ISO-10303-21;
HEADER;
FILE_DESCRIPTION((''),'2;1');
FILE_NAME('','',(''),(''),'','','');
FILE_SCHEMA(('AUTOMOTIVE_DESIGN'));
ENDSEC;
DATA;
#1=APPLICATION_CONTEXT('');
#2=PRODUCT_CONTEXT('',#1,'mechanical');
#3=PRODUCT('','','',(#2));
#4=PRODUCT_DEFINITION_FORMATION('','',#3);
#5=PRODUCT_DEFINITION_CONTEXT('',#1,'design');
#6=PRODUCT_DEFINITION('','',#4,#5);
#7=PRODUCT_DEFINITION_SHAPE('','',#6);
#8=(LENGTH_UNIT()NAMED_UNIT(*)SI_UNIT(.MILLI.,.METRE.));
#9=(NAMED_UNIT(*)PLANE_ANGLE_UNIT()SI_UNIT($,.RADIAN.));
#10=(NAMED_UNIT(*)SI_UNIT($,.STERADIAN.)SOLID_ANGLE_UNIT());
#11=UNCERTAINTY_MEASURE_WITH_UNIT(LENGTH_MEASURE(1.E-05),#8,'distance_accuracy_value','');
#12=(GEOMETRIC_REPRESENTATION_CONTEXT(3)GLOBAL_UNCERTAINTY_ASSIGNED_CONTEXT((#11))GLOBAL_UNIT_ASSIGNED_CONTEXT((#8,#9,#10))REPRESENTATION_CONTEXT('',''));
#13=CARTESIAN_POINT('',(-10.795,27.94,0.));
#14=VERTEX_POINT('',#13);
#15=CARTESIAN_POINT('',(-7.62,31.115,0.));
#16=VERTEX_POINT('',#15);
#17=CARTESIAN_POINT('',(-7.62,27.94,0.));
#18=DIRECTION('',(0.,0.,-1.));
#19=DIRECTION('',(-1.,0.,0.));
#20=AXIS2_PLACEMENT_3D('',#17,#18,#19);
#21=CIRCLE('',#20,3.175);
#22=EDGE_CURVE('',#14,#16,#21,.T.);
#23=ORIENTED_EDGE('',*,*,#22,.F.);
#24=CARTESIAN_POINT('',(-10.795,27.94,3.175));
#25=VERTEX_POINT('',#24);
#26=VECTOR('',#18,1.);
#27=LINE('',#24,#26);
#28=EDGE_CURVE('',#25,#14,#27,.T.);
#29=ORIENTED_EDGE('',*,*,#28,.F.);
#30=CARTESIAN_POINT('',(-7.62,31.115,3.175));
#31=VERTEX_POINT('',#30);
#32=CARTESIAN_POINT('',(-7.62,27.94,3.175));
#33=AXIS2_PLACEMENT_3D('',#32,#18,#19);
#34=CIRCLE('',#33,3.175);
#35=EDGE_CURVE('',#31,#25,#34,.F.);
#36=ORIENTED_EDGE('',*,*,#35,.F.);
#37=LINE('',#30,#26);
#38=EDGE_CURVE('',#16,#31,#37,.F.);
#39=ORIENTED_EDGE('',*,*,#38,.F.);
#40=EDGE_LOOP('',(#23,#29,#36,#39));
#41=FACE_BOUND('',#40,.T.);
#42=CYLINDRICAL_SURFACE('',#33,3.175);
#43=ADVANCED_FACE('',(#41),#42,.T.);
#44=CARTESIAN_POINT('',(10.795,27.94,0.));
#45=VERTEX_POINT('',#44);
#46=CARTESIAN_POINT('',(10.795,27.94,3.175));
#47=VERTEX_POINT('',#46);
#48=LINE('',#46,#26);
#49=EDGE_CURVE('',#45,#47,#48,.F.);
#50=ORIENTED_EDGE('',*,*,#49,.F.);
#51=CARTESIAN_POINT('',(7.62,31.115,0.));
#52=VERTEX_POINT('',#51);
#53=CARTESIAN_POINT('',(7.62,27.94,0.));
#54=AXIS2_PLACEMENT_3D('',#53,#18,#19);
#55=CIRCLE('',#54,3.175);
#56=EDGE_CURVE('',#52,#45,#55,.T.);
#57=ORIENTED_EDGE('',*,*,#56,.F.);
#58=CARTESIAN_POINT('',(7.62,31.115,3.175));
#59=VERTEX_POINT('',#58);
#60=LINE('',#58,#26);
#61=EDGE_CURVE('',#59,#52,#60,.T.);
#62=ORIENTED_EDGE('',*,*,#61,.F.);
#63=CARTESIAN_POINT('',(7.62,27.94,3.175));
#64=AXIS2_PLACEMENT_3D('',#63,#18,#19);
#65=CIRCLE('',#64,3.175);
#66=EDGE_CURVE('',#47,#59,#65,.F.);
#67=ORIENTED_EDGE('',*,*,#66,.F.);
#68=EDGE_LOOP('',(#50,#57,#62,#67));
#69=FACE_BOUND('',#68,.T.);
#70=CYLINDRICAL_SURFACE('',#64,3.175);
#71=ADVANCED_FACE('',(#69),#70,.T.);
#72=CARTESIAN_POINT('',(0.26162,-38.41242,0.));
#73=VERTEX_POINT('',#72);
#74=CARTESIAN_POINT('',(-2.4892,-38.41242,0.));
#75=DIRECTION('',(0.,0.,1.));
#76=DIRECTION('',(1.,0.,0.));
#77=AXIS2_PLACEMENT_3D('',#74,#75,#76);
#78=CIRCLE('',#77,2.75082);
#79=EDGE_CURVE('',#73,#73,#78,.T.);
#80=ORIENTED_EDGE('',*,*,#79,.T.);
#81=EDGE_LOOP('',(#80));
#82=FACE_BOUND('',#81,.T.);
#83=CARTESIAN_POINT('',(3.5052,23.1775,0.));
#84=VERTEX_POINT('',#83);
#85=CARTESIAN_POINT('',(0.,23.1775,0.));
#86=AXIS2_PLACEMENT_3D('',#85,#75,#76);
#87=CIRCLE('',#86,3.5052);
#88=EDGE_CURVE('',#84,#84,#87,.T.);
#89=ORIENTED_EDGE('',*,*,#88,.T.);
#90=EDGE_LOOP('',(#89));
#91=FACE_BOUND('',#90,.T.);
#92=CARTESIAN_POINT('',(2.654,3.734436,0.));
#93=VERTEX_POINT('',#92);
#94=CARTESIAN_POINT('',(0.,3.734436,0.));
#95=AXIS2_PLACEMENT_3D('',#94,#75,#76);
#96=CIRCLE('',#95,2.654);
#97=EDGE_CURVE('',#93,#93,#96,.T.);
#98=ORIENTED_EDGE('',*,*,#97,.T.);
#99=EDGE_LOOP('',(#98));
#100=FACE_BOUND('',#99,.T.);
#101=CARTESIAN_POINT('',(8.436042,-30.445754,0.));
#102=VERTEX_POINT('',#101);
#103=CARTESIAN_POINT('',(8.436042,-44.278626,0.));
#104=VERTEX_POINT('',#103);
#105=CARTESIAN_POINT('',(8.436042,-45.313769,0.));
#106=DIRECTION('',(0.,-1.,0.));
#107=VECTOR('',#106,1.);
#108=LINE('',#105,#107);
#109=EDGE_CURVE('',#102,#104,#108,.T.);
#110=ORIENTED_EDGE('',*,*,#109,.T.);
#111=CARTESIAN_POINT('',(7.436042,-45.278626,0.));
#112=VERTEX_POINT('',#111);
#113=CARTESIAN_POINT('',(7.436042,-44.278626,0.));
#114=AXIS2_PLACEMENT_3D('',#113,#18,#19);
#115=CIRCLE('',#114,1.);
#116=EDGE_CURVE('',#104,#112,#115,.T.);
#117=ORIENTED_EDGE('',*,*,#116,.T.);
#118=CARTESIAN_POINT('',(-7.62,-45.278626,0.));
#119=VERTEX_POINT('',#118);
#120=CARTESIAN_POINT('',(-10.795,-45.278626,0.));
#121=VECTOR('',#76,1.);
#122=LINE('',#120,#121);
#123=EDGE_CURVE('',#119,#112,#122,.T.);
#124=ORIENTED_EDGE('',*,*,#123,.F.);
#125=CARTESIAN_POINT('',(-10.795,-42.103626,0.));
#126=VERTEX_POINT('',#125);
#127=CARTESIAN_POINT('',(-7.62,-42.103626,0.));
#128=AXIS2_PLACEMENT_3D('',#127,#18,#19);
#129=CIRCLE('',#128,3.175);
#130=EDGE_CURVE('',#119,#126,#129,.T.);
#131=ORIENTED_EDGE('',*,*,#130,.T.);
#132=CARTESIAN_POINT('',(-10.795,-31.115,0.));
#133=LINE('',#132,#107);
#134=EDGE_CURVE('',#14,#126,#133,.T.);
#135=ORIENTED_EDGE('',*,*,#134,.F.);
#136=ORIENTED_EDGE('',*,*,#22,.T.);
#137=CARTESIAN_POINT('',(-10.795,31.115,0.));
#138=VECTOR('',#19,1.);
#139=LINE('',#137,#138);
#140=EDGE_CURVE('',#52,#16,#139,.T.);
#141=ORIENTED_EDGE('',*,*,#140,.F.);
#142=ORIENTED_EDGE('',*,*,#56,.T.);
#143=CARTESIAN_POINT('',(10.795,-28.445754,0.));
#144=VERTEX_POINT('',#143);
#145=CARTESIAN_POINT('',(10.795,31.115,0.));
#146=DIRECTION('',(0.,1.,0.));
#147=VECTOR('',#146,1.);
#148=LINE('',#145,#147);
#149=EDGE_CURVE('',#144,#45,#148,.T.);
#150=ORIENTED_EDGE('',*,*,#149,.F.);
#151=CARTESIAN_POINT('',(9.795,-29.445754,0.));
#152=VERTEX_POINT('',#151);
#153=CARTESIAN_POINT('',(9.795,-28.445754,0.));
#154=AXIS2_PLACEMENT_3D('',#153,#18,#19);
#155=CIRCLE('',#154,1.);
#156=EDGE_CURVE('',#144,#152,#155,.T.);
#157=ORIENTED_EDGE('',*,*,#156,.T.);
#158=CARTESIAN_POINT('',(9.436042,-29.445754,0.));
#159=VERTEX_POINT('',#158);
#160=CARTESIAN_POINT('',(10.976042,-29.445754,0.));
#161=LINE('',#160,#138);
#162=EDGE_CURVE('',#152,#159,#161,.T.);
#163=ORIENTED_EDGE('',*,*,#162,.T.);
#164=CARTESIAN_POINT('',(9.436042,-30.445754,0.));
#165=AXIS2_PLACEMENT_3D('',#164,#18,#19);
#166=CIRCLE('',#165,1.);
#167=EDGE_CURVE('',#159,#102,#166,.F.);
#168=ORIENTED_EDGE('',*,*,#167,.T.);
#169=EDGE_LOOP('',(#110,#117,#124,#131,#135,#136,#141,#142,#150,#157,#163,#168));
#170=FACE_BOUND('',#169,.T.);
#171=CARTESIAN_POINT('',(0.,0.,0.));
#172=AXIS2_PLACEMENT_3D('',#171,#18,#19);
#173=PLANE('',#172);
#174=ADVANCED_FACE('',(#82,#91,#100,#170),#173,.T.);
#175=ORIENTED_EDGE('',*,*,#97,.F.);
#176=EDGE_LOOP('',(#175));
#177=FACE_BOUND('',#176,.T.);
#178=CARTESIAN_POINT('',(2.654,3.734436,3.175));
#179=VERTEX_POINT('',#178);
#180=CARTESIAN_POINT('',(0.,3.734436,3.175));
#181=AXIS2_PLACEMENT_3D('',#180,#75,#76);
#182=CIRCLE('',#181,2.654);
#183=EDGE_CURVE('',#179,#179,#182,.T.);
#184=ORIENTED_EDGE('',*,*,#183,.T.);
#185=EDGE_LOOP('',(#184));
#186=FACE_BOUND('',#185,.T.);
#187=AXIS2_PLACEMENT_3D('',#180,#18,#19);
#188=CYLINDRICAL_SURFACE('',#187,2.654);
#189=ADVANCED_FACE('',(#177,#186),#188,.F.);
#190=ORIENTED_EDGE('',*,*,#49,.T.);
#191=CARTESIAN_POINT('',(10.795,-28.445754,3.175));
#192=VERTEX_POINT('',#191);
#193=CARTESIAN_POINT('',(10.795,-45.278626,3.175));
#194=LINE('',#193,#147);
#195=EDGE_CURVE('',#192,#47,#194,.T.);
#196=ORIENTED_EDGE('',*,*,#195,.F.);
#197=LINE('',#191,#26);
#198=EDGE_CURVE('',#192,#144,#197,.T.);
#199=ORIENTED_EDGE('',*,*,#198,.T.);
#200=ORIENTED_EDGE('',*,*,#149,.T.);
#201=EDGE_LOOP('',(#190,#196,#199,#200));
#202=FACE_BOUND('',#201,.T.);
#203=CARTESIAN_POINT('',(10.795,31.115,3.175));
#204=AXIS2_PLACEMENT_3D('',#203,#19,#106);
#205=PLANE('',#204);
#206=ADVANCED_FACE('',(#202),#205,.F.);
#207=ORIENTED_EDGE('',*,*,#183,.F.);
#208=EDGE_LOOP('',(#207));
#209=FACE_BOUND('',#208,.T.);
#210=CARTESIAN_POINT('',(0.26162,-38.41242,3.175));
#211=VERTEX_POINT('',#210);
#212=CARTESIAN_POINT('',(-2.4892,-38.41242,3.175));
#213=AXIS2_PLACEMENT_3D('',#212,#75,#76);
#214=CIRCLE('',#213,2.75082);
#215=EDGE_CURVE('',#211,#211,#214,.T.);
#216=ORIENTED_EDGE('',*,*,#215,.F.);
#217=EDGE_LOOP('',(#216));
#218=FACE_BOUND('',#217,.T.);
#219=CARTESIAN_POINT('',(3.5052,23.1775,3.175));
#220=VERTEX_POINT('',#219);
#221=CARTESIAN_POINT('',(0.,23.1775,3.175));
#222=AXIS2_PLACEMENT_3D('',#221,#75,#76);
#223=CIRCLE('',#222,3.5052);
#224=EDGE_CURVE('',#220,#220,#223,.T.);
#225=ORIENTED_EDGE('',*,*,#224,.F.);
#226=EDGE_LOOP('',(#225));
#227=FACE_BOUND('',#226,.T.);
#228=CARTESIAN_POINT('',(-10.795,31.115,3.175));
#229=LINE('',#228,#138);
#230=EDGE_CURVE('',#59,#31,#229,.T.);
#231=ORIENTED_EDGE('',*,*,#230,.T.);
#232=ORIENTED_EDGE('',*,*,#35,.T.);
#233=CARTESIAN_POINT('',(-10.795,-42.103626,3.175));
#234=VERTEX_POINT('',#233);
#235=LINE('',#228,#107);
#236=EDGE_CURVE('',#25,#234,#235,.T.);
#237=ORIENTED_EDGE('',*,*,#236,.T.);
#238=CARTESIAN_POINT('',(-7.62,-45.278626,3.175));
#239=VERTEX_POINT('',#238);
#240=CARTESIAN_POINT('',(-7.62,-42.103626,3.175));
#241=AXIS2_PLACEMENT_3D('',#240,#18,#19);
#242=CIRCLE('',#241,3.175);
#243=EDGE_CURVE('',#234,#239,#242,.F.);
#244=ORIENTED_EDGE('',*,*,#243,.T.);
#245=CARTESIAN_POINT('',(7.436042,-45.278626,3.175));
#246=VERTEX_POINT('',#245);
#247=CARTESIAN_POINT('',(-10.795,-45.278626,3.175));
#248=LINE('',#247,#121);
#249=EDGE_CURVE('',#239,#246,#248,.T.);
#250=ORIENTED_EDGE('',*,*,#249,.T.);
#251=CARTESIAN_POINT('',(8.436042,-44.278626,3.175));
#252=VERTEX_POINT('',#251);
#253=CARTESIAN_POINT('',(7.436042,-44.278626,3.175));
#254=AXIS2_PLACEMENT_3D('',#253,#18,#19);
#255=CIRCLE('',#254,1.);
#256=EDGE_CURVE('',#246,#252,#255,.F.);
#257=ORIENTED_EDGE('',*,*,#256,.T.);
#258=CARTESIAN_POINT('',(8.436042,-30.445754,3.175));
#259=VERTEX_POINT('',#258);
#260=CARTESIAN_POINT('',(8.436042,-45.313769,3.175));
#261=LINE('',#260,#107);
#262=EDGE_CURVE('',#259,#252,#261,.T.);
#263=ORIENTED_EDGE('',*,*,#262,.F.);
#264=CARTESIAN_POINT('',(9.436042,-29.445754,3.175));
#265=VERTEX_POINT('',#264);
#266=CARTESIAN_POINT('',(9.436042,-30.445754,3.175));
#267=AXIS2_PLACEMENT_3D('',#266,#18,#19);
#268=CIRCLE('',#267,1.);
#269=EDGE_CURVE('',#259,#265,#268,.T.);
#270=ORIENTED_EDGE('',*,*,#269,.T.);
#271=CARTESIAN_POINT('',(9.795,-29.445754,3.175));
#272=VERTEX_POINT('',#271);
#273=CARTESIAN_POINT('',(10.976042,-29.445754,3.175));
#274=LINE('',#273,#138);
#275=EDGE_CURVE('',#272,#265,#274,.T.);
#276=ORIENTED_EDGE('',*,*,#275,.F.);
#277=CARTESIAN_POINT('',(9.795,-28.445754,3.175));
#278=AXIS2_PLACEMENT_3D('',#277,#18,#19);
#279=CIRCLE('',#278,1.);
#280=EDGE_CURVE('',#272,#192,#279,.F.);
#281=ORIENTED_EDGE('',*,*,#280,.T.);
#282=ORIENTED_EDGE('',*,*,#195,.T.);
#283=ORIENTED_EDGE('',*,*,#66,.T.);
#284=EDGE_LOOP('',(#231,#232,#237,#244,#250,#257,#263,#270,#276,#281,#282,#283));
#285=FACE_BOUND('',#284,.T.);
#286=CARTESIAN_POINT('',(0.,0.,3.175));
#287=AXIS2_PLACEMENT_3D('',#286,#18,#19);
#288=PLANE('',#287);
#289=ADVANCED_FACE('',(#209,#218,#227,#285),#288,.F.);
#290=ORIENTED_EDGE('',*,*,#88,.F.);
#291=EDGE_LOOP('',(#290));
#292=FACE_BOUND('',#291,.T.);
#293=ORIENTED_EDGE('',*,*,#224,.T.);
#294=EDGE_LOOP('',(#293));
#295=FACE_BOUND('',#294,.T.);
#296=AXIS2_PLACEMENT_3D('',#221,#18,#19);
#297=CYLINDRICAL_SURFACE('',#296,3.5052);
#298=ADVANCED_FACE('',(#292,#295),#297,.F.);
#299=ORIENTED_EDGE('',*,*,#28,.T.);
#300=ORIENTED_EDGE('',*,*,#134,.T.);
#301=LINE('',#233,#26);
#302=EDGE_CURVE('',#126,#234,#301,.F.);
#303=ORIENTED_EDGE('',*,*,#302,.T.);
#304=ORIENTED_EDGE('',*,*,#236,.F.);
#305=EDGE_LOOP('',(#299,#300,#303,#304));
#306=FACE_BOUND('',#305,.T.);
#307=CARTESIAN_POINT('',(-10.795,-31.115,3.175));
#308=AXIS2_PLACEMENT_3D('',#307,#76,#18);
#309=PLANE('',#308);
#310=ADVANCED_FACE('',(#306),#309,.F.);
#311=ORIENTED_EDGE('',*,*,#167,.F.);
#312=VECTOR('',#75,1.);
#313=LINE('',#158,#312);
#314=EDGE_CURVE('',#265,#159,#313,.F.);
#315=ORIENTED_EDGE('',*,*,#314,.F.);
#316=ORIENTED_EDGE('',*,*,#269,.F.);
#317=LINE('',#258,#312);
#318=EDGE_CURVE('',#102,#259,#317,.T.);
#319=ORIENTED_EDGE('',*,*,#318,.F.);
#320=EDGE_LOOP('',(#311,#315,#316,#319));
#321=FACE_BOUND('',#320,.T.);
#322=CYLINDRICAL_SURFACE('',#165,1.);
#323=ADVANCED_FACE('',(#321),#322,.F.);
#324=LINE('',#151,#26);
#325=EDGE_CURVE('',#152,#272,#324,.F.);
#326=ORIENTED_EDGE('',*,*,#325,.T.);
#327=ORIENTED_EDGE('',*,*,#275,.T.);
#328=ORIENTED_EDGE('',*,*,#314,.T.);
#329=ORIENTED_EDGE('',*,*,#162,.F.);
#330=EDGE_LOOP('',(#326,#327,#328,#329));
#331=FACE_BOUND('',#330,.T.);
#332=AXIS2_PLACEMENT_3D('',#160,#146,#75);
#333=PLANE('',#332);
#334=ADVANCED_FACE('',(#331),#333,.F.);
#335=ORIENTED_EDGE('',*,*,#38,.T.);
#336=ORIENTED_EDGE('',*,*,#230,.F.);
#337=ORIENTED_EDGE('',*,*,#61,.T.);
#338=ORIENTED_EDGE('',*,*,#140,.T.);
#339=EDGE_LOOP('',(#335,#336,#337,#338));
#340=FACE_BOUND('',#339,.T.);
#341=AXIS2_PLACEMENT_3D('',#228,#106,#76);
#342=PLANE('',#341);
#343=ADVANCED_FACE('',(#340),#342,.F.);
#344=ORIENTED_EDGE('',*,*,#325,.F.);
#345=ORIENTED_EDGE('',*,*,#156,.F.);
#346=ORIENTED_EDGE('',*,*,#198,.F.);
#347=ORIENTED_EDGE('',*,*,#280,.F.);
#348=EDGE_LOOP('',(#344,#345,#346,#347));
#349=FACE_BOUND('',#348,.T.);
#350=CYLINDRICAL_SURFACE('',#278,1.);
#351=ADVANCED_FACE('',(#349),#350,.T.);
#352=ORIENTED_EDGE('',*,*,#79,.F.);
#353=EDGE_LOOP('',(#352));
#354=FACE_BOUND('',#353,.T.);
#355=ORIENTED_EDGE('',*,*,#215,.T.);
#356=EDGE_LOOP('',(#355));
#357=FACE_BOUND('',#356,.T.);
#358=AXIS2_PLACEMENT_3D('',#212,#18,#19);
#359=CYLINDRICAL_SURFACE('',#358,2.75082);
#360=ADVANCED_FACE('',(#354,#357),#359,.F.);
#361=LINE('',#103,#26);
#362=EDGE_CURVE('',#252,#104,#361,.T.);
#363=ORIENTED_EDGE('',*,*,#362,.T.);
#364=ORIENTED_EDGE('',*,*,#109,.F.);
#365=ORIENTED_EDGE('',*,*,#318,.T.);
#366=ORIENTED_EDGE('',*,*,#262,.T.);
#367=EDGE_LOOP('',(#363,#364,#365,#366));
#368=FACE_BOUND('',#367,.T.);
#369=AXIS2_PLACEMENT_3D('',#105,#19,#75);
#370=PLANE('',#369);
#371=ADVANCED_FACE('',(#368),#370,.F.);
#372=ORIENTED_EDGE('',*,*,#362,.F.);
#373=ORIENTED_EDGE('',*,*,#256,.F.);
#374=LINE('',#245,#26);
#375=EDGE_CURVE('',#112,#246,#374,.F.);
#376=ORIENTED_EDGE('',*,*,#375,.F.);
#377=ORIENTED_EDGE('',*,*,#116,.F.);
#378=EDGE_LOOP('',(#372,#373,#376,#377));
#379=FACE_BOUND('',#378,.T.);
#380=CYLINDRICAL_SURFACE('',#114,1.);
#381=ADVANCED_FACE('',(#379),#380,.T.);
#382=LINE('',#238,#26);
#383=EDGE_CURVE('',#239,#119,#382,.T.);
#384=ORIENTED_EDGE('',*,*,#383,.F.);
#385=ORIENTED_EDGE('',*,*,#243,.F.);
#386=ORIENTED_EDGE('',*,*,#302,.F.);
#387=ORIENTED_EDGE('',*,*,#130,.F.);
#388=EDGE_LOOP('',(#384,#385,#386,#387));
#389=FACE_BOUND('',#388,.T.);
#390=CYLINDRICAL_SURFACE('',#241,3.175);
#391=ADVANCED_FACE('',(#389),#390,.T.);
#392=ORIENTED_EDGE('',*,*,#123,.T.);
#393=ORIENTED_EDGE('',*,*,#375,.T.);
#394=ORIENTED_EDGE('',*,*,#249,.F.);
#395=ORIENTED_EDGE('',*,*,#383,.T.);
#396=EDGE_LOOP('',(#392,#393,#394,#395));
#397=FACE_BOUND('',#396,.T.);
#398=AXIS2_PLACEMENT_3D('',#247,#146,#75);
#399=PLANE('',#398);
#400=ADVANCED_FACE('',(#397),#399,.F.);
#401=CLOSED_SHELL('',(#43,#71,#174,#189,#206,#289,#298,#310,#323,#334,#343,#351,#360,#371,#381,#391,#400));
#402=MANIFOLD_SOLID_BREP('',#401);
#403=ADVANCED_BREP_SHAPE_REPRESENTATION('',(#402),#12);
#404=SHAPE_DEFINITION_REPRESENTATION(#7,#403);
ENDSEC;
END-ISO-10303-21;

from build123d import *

# Parameters (mm, degrees)
SKETCH1_R           = 3.5052
SKETCH1_R_2         = 2.75082
SKETCH1_R_3         = 2.654
BOSS_EXTRUDE1_DEPTH = 3.175
FILLET1_R           = 3.175
SKETCH3_W           = 2.54
SKETCH3_H           = 15.868015335
CUT_EXTRUDE2_DEPTH  = 47.655831395
FILLET2_R           = 1


with BuildPart() as part:
    # Sketch1 → Boss-Extrude1 (new body)
    with BuildSketch(Plane.XY):
        Polygon((-10.795, 31.115), (10.795, 31.115), (10.795, -31.115), (10.795, -45.278625787), (-10.795, -45.278625787), (-10.795, -31.115), align=None)
        with Locations((0, 23.1775)):
            Circle(SKETCH1_R, mode=Mode.SUBTRACT)
        with Locations((-2.4892, -38.41242)):
            Circle(SKETCH1_R_2, mode=Mode.SUBTRACT)
        with Locations((0, 3.734436212)):
            Circle(SKETCH1_R_3, mode=Mode.SUBTRACT)
    extrude(amount=BOSS_EXTRUDE1_DEPTH)

    # Fillet1
    fillet1_edges = [part.edges().sort_by_distance(p)[0] for p in [
        (10.795, -45.278625787, 1.5875),
        (-10.795, -45.278625787, 1.5875),
        (-10.795, 31.115, 1.5875),
        (10.795, 31.115, 1.5875),
    ]]
    fillet(fillet1_edges, radius=FILLET1_R)

    # Sketch3 → Cut-Extrude2 (cut, through all)
    with BuildSketch(Plane.XY.offset(3.175)):
        with Locations((9.706042249, -37.379761593)):
            Rectangle(SKETCH3_W, SKETCH3_H)
    extrude(amount=-CUT_EXTRUDE2_DEPTH, mode=Mode.SUBTRACT)

    # Fillet2
    fillet2_edges = [part.edges().sort_by_distance(p)[0] for p in [
        (10.795, -29.445753925, 1.5875),
        (8.436042249, -29.445753925, 1.5875),
        (8.436042249, -45.171964108, 1.5875),
    ]]
    fillet(fillet2_edges, radius=FILLET2_R)


solid = part.part
